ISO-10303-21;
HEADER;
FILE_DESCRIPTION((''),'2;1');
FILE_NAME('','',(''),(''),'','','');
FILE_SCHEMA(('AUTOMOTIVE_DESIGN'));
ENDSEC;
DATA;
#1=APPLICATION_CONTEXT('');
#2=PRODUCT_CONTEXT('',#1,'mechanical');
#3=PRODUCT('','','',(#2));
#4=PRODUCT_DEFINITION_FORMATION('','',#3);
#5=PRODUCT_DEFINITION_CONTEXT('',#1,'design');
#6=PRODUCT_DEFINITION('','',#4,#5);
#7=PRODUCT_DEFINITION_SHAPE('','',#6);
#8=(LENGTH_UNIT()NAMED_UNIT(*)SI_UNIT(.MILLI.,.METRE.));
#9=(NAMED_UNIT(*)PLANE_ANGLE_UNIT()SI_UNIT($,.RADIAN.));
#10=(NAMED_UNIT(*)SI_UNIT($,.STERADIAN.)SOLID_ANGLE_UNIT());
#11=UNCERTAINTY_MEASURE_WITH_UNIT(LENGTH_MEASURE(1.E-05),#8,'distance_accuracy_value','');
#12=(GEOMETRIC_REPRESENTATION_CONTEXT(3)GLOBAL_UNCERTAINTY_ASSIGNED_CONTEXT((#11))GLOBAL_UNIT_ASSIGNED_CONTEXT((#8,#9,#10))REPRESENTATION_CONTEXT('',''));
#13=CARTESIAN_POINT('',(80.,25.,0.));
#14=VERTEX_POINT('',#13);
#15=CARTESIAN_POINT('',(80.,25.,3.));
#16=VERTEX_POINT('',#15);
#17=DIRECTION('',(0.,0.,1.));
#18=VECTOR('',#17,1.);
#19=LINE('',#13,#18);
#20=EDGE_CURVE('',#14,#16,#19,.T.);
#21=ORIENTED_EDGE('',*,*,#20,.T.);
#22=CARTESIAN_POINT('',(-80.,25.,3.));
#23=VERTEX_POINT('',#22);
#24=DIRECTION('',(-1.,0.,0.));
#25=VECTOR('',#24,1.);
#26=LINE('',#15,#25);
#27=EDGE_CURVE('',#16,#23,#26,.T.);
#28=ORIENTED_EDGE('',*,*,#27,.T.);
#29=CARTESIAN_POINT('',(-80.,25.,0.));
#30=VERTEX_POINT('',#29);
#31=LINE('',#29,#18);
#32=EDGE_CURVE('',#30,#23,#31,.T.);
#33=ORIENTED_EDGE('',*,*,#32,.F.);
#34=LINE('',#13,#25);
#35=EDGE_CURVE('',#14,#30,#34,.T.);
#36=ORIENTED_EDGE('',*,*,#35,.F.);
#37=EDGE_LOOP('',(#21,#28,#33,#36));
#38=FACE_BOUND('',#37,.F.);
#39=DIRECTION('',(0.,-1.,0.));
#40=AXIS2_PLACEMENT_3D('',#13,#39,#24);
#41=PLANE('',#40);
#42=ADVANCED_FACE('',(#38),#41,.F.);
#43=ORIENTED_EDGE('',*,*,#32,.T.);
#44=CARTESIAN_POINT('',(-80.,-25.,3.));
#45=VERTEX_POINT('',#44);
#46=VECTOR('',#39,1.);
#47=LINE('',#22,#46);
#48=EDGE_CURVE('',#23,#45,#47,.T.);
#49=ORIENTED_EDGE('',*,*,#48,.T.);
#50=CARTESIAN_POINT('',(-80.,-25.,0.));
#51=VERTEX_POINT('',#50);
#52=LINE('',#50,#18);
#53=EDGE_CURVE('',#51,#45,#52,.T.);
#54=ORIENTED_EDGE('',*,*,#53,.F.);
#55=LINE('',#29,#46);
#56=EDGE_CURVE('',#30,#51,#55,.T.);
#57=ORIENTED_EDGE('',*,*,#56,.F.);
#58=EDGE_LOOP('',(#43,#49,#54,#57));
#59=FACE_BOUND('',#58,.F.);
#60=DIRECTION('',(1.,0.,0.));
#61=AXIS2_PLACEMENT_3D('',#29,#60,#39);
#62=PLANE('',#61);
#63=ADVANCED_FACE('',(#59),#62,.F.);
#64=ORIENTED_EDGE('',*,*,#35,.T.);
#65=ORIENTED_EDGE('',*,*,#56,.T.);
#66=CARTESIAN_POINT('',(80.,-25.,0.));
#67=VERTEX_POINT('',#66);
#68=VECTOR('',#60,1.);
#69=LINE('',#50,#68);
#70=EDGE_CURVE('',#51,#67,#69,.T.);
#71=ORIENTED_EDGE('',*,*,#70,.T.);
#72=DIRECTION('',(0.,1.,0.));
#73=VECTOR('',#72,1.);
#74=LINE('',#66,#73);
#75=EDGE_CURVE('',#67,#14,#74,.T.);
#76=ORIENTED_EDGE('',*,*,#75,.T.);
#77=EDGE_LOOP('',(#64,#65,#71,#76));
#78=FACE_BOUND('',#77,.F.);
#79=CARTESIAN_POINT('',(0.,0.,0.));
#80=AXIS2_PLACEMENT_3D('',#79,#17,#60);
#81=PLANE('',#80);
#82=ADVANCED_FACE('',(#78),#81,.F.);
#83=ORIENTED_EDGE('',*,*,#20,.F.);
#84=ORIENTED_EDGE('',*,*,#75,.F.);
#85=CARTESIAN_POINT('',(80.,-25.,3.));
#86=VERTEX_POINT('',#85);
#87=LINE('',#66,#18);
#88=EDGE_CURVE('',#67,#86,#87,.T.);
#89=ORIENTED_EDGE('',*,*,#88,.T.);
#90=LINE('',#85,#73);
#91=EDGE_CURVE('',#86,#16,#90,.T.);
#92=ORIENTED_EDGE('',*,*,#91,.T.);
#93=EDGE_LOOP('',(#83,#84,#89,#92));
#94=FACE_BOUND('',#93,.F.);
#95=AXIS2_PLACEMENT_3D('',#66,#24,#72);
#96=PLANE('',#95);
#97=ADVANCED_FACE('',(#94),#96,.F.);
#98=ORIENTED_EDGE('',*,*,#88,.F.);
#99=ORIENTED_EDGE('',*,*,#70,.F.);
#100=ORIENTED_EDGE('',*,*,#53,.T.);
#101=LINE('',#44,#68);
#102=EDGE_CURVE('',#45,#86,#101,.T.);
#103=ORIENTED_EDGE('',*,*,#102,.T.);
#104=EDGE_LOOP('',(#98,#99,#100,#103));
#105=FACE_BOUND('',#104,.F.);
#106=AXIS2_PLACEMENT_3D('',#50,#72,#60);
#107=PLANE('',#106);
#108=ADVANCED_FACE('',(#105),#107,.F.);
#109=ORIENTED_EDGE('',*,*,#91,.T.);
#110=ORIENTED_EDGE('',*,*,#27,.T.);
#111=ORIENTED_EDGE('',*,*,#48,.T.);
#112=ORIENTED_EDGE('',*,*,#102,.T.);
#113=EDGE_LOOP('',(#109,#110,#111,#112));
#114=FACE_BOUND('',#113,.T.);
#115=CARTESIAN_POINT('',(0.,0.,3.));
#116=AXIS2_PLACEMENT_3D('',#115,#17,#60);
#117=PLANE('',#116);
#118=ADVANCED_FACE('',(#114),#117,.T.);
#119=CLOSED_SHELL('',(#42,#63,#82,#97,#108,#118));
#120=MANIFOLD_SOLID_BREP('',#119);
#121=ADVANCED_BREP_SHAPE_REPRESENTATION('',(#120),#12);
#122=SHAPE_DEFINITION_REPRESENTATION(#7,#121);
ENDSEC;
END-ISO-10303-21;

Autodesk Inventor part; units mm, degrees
ref_plane "YZ Plane" through (0, 0, 0) normal (1, 0, 0) x (0, 1, 0)
ref_plane "XZ Plane" through (0, 0, 0) normal (0, 1, 0) x (-1, 0, 0)
ref_plane "XY Plane" through (0, 0, 0) normal (0, 0, 1) x (1, 0, 0)
sketch "Boceto1" plane through (0, 0, 0) normal (0, 0, 1) x (1, 0, 0)
  line L0 (-80, -25) -> (80, -25)
  line L1 (80, -25) -> (80, 25)
  line L2 (80, 25) -> (-80, 25)
  line L3 (-80, 25) -> (-80, -25)
  line L4 (-80, -25) -> (80, 25) construction
  line L5 (80, -25) -> (-80, 25) construction
  point P0 (0, 0)
  dimension "d0" = 160
  dimension "d1" = 50
extrude "Extrusión1" add sketch "Boceto1" along normal blind 3
properties part number "Vidrio" material "Vidrio"
